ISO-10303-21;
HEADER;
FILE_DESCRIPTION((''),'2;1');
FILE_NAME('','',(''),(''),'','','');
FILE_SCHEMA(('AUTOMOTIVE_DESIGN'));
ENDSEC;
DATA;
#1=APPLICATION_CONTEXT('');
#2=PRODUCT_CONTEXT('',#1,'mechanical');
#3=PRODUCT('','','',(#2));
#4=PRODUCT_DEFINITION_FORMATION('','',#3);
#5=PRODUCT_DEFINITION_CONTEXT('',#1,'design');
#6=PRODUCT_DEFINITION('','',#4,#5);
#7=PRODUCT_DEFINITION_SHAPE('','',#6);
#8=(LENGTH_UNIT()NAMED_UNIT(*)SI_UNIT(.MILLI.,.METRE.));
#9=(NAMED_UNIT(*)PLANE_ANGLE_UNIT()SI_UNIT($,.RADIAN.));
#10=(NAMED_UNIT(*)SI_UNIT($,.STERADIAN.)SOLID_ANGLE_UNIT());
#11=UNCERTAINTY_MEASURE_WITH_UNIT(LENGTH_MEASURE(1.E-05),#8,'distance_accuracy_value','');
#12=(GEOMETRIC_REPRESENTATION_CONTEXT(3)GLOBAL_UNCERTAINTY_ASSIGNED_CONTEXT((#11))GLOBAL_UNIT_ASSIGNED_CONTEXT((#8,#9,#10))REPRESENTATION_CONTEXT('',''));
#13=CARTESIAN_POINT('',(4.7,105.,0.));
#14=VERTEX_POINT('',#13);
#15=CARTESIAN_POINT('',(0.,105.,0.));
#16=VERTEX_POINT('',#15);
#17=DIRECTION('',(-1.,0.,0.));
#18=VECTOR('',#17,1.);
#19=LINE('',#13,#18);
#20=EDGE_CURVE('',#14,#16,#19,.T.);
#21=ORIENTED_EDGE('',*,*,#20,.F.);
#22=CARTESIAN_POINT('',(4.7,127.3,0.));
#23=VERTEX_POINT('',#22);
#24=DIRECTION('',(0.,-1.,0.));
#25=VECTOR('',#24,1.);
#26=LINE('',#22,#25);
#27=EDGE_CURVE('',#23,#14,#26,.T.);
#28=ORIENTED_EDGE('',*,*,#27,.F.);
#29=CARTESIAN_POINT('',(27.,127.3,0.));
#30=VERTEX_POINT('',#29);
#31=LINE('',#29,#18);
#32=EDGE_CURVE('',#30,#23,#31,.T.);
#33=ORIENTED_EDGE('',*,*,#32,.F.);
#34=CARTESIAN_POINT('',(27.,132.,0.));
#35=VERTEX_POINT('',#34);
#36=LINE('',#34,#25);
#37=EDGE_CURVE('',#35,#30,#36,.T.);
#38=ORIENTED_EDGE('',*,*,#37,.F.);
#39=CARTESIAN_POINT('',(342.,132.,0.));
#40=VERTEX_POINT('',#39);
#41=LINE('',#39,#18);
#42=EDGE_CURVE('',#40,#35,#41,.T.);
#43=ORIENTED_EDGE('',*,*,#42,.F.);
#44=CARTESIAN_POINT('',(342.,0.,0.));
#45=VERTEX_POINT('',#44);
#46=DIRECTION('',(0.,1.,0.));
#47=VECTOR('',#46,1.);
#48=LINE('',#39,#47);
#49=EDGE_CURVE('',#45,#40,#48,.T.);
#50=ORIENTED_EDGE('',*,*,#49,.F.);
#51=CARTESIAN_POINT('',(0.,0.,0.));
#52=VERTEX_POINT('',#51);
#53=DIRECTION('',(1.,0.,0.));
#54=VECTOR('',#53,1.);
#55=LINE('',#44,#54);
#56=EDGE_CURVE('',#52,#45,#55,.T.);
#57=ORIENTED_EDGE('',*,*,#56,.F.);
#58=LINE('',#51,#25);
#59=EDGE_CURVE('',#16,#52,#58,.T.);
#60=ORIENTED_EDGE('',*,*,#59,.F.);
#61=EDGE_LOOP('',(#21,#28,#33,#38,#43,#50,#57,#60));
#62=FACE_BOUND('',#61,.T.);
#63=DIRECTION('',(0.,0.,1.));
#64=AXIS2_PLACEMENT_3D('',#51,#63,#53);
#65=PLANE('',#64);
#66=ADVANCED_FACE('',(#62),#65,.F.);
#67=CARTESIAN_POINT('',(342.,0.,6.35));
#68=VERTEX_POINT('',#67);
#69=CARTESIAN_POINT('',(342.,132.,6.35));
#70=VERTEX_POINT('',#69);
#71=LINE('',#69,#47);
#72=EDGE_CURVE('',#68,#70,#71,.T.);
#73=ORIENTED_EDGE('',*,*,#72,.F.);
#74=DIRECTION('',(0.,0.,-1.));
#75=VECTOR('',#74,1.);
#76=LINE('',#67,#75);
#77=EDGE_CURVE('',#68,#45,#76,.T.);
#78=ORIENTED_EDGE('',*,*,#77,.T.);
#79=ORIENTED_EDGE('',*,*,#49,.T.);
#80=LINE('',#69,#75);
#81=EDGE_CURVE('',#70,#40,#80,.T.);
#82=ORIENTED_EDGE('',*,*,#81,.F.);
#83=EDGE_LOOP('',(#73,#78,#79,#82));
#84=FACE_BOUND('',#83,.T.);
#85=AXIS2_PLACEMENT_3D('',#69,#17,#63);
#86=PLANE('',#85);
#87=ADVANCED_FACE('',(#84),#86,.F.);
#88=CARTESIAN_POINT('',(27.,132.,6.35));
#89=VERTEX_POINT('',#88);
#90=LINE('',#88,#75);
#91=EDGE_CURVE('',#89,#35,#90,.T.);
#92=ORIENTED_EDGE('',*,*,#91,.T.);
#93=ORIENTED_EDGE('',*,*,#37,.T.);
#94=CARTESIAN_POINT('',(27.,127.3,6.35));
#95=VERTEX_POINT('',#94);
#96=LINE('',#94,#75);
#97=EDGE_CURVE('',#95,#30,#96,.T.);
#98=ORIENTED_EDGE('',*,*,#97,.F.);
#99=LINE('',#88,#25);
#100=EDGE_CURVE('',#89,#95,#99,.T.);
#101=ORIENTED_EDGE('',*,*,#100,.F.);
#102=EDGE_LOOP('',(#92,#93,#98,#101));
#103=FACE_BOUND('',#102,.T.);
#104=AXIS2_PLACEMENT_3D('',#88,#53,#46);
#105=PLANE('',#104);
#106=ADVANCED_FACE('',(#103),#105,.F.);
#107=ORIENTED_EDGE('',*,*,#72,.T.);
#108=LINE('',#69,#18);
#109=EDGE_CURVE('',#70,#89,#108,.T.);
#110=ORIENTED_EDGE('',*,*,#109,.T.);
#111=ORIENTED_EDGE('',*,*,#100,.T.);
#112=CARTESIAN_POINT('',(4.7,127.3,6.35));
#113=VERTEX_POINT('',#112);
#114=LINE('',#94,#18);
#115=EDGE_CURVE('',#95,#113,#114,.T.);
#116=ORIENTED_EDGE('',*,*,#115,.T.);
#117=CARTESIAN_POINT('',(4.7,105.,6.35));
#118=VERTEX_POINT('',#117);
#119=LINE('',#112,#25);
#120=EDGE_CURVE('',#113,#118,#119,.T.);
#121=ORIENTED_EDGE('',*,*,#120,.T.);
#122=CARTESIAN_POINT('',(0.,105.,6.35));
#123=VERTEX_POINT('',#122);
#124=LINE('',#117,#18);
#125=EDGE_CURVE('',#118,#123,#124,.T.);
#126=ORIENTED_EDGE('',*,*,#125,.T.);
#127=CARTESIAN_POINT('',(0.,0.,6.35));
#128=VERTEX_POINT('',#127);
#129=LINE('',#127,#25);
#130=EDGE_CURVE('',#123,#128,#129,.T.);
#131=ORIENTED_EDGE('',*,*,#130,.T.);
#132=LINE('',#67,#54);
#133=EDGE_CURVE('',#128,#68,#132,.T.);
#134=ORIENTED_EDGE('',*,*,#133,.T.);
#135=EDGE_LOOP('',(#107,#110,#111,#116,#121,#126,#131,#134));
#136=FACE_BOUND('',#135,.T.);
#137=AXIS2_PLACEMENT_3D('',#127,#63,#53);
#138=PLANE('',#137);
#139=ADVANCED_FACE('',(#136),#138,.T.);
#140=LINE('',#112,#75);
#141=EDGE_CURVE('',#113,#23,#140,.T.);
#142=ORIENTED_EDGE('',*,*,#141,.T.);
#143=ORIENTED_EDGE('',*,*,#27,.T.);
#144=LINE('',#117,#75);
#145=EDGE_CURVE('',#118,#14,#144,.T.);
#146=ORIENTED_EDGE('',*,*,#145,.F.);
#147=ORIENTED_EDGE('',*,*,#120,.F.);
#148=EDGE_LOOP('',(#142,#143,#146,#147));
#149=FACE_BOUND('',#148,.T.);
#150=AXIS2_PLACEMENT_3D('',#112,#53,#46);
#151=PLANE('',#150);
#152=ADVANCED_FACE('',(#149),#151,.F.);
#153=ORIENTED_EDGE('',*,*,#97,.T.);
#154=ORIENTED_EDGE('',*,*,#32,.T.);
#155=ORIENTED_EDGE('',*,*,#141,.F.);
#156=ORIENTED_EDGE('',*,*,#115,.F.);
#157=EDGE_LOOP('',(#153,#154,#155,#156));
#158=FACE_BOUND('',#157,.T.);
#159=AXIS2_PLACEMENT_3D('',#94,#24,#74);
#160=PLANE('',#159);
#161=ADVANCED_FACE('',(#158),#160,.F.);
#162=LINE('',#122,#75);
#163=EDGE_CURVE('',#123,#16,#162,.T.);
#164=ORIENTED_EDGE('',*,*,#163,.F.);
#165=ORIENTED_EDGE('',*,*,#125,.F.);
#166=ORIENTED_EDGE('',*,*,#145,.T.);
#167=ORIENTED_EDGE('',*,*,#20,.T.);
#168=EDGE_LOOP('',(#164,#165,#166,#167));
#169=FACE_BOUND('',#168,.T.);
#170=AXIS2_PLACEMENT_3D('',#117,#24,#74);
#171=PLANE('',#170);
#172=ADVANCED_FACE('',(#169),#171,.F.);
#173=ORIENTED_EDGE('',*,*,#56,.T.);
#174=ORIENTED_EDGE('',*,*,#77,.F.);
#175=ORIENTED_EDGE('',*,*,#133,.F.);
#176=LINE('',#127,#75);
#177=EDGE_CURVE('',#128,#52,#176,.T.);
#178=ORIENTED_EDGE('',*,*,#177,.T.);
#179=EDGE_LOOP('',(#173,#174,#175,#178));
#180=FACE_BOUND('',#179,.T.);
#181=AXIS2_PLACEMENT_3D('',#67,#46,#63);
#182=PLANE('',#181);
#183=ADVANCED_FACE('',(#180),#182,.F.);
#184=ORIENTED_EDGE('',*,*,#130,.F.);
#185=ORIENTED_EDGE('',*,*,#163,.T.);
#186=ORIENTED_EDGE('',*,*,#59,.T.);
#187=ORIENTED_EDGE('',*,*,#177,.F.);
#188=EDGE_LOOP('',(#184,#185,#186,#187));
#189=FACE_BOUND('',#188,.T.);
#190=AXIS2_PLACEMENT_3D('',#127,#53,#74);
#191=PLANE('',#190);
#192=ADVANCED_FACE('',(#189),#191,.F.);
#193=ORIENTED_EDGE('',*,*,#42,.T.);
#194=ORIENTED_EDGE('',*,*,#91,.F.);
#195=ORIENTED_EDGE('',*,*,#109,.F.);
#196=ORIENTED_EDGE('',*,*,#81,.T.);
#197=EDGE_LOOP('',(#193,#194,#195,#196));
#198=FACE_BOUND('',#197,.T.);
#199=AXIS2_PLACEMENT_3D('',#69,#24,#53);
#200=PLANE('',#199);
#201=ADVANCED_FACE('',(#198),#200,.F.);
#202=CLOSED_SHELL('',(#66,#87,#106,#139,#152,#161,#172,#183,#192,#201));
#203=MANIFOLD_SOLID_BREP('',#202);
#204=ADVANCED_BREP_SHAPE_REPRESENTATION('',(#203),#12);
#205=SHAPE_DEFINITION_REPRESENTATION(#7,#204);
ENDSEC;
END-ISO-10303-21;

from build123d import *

# Parameters (mm, degrees)
BOSS_EXTRUDE1_DEPTH = 6.35


with BuildPart() as part:
    # Sketch1 → Boss-Extrude1 (new body)
    with BuildSketch(Plane.XY):
        Polygon((27, 132), (27, 127.3), (4.7, 127.3), (4.7, 105), (0, 105), (0, 0), (342, 0), (342, 132), align=None)
    extrude(amount=BOSS_EXTRUDE1_DEPTH)


solid = part.part
